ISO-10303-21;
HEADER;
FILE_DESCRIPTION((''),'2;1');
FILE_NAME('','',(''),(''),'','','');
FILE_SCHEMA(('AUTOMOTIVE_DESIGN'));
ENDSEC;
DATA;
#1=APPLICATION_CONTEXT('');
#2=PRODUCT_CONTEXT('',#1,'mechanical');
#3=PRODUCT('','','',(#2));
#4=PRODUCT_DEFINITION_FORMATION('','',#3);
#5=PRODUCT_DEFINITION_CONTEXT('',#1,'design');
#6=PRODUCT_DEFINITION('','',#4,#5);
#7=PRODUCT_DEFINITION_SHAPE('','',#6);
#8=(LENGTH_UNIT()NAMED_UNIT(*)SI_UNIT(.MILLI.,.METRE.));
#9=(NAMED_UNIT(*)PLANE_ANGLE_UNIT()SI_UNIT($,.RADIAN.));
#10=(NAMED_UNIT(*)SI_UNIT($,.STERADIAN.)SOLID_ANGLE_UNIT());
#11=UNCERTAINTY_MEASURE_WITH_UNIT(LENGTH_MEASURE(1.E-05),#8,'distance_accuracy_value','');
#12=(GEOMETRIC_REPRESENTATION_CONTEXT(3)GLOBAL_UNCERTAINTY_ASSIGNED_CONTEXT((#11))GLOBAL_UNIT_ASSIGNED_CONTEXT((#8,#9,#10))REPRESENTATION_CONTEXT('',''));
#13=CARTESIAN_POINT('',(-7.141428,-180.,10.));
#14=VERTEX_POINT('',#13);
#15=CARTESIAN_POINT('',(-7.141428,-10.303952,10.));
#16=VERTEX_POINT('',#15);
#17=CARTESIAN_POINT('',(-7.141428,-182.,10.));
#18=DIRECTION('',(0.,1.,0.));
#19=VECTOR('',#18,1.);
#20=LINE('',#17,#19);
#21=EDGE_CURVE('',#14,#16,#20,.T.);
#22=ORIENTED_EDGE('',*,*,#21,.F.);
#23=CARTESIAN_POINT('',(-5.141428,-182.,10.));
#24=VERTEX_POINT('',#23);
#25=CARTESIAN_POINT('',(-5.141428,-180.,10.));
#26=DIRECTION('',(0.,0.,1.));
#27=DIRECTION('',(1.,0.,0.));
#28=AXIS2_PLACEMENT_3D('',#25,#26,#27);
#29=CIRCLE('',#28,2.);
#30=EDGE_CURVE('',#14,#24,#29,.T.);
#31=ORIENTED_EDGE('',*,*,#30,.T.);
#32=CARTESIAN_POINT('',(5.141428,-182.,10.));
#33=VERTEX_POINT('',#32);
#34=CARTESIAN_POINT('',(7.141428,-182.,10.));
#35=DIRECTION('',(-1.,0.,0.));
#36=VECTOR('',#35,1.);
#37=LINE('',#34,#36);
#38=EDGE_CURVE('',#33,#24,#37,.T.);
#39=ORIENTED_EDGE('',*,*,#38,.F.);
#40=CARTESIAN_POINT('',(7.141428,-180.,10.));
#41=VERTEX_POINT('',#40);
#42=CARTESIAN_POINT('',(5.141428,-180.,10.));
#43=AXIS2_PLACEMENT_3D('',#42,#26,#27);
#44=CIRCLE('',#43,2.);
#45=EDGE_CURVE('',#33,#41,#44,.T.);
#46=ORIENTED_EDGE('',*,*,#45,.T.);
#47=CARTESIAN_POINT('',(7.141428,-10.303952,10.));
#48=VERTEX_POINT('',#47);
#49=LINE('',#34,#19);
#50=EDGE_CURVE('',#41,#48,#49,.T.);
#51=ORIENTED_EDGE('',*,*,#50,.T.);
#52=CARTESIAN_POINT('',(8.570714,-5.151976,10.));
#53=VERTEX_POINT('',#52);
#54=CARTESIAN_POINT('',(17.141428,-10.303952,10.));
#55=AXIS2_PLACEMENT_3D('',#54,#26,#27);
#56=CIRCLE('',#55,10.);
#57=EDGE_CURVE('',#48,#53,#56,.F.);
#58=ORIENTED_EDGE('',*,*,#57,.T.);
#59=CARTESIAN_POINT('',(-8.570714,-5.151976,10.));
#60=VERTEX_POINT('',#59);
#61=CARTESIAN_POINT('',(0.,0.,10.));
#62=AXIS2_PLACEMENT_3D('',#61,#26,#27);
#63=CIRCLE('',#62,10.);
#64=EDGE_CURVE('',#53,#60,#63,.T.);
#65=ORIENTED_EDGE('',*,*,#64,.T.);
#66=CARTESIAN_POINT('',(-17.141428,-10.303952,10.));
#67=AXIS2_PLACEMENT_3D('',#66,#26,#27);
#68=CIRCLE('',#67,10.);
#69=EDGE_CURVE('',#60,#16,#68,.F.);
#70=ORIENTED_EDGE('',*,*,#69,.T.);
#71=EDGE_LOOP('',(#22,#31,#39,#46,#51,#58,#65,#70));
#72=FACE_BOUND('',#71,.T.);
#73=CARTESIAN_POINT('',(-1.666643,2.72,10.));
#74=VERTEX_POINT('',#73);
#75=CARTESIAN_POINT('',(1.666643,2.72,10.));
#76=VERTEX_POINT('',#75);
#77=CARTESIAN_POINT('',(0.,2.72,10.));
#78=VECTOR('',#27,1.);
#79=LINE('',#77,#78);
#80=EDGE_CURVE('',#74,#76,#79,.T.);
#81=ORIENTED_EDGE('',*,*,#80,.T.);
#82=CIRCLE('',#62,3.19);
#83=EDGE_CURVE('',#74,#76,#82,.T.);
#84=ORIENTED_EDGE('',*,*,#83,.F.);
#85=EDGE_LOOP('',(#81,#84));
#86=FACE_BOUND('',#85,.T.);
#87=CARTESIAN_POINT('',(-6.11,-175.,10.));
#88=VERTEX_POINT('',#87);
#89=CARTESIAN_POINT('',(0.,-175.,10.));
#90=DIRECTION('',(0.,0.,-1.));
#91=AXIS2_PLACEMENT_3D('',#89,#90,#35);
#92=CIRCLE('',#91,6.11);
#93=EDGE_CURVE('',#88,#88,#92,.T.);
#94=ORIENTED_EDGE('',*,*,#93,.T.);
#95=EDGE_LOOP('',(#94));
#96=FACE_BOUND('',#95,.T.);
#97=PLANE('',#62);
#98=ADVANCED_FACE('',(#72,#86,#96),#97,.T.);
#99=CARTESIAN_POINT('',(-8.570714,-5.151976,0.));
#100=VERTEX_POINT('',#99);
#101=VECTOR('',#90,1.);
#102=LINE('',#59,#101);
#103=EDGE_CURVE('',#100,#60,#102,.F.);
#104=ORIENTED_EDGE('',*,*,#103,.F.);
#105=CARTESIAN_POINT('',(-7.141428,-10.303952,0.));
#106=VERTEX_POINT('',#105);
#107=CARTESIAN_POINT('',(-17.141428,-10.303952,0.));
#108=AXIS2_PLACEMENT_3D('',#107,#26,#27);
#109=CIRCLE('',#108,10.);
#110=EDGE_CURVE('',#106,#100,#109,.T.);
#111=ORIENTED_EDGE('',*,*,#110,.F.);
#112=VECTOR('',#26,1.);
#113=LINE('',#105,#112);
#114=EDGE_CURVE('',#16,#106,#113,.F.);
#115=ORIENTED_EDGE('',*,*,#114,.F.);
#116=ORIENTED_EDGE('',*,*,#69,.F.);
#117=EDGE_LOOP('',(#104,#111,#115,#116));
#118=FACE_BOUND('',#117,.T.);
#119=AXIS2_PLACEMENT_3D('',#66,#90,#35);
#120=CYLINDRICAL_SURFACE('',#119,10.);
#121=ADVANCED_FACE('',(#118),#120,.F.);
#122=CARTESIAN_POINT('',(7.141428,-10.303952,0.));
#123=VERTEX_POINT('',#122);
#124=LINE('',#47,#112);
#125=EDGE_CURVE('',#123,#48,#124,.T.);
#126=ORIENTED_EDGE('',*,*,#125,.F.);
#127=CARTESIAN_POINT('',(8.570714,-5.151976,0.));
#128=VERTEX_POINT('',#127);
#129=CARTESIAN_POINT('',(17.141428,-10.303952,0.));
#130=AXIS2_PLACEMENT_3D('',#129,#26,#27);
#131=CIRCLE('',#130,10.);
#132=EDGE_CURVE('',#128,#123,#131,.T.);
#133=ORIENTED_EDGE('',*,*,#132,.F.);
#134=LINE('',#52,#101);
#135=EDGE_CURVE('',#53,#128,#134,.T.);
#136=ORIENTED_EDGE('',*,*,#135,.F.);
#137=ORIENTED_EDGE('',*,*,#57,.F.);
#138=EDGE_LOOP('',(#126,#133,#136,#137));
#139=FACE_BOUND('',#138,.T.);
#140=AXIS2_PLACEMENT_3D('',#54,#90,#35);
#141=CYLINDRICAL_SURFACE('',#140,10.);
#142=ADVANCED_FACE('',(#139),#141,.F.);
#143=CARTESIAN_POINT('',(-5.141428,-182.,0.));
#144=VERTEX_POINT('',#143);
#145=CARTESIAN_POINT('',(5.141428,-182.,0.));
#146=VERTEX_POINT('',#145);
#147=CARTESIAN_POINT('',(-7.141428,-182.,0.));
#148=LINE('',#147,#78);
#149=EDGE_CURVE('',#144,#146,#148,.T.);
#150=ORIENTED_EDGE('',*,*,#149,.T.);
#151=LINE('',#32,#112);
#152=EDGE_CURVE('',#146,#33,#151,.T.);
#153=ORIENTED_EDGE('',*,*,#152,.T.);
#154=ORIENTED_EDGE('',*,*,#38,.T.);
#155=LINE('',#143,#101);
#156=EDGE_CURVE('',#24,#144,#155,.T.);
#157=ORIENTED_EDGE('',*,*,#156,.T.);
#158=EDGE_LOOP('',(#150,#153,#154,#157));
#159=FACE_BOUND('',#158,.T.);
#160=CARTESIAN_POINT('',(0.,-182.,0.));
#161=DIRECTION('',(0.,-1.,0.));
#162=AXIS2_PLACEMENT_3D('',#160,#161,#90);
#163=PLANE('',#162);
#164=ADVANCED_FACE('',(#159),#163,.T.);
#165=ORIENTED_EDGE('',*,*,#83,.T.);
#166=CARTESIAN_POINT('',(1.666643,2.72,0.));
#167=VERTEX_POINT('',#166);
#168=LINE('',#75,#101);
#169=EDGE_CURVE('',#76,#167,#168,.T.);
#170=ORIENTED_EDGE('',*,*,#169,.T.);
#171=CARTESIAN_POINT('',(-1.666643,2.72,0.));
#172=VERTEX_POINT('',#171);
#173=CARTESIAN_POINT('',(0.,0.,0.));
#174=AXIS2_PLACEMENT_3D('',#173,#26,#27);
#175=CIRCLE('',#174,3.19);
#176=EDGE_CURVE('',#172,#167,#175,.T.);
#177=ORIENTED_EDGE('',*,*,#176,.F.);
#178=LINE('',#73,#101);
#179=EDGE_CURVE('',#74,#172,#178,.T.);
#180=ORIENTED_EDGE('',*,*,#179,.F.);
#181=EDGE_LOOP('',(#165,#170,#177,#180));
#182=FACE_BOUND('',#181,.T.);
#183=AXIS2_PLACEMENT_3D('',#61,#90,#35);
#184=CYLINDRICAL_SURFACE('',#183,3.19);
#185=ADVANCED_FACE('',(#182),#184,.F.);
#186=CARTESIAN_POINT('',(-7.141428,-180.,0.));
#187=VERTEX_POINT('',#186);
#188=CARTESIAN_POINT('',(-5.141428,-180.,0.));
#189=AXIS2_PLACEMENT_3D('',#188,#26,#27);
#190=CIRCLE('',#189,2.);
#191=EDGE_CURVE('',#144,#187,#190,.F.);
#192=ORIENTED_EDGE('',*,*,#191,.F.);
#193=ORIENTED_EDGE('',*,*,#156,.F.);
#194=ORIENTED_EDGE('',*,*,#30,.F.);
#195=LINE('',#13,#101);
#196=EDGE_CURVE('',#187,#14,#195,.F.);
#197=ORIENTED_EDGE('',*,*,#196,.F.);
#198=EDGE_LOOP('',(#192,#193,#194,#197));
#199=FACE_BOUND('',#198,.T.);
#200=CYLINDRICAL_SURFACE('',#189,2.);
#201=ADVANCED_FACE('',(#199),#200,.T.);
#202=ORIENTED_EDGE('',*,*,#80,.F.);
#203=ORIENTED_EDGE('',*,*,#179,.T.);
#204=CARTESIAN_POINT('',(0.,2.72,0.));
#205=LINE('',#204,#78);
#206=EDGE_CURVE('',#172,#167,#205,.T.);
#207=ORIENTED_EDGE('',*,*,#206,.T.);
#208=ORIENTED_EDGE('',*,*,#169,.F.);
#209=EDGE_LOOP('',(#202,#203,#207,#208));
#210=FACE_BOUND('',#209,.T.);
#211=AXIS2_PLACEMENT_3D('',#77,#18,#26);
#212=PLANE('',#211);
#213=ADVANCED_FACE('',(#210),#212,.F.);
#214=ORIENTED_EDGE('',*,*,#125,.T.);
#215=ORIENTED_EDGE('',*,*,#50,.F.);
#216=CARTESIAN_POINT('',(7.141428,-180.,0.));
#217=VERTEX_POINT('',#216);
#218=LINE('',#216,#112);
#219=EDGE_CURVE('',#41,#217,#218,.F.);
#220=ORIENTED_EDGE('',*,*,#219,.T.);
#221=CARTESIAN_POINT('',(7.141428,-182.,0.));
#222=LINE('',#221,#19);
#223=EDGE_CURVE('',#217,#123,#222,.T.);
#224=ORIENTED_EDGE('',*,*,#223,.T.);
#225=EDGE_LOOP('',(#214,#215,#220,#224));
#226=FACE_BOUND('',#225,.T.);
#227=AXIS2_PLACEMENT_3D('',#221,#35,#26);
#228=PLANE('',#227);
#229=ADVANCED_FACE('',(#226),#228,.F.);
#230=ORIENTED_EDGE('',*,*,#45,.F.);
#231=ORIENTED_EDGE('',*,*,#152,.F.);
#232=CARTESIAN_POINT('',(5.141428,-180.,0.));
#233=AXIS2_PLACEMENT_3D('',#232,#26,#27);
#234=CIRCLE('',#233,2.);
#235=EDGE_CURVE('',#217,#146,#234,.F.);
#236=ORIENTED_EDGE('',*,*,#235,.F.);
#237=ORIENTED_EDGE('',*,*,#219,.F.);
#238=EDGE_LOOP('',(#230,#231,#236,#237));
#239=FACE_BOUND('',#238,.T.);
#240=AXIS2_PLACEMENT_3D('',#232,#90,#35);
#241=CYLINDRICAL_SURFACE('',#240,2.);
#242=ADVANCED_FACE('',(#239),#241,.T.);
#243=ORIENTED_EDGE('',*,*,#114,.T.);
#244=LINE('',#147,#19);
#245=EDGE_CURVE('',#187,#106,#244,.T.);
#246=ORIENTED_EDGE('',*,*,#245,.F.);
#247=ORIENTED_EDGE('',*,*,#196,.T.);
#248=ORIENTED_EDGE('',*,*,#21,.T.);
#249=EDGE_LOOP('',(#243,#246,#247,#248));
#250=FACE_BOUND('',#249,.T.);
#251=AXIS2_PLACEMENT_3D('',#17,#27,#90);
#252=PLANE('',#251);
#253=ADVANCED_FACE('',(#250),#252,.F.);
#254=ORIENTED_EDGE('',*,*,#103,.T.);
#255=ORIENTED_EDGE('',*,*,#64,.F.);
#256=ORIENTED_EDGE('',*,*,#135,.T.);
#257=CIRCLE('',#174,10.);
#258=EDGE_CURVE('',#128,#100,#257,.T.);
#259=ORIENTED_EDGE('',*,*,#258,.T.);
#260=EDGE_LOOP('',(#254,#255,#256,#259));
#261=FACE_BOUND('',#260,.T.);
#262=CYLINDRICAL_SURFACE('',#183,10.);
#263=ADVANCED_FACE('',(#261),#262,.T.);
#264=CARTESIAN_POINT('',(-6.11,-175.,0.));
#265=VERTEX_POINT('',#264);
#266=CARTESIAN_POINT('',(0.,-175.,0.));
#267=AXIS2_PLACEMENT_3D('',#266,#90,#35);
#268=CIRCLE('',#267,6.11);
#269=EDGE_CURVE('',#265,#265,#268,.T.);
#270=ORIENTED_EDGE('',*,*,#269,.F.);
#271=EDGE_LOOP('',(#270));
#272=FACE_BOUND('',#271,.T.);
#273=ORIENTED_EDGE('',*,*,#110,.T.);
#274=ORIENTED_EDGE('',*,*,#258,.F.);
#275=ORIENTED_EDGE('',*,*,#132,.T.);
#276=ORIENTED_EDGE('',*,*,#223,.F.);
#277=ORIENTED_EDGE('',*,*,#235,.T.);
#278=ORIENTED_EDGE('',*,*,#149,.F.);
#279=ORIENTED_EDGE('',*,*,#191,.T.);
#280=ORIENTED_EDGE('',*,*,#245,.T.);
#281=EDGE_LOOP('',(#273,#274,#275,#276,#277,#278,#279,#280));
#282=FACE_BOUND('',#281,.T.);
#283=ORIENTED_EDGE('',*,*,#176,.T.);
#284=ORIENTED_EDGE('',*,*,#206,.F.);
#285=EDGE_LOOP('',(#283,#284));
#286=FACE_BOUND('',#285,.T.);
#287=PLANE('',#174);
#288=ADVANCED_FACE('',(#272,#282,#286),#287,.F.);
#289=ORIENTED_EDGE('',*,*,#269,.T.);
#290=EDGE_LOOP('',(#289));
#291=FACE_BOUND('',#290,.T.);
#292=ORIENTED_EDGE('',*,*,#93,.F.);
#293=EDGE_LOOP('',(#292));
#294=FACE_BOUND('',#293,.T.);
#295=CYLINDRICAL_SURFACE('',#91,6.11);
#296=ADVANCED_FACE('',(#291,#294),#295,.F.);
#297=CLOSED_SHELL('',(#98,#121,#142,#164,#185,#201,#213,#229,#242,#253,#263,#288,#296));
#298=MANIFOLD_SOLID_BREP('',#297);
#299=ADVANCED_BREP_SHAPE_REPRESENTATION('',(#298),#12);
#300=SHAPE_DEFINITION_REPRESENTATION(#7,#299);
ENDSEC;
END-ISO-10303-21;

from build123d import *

# Parameters (mm, degrees)
SKETCH1_R           = 10
BOSS_EXTRUDE1_DEPTH = 10
CUT_EXTRUDE1_DEPTH  = 10
SKETCH3_W           = 14.282856858
SKETCH3_H           = 10
BOSS_EXTRUDE2_DEPTH = 175
SKETCH4_R           = 6.11
CUT_EXTRUDE2_DEPTH  = 10
FILLET1_R           = 10
FILLET2_R           = 2


with BuildPart() as part:
    # Sketch1 → Boss-Extrude1 (new body)
    with BuildSketch(Plane.XY):
        Circle(SKETCH1_R)
        with BuildLine():
            ThreePointArc((-1.666643333, 2.72), (0, -3.19), (1.666643333, 2.72))
            Line((1.666643333, 2.72), (-1.666643333, 2.72))
        make_face(mode=Mode.SUBTRACT)
    extrude(amount=BOSS_EXTRUDE1_DEPTH)

    # Sketch2 → Cut-Extrude1 (cut)
    with BuildSketch(Plane(origin=(0, 0, 0), x_dir=(-1, 0, 0), z_dir=(0, 0, -1))):
        with BuildLine():
            Line((7.141428429, -7), (-7.141428429, -7))
            ThreePointArc((-7.141428429, -7), (-3.872983346, -9.219544457), (0, -10))
            ThreePointArc((0, -10), (3.872983346, -9.219544457), (7.141428429, -7))
        make_face()
    extrude(amount=-CUT_EXTRUDE1_DEPTH, mode=Mode.SUBTRACT)

    # Sketch3 → Boss-Extrude2 (add)
    with BuildSketch(Plane.XZ.offset(7)):
        with Locations((0, 5)):
            Rectangle(SKETCH3_W, SKETCH3_H)
    extrude(amount=BOSS_EXTRUDE2_DEPTH)

    # Sketch4 → Cut-Extrude2 (cut)
    with BuildSketch(Plane(origin=(0, 0, 0), x_dir=(-1, 0, 0), z_dir=(0, 0, -1))):
        with Locations((0, -175)):
            Circle(SKETCH4_R)
    extrude(amount=-CUT_EXTRUDE2_DEPTH, mode=Mode.SUBTRACT)

    # Fillet1
    fillet1_edges = [part.edges().sort_by_distance(p)[0] for p in [
        (7.141428429, -7, 5),
        (-7.141428429, -7, 5),
    ]]
    fillet(fillet1_edges, radius=FILLET1_R)

    # Fillet2
    fillet2_edges = [part.edges().sort_by_distance(p)[0] for p in [
        (-7.141428429, -182, 5),
        (7.141428429, -182, 5),
    ]]
    fillet(fillet2_edges, radius=FILLET2_R)


solid = part.part
